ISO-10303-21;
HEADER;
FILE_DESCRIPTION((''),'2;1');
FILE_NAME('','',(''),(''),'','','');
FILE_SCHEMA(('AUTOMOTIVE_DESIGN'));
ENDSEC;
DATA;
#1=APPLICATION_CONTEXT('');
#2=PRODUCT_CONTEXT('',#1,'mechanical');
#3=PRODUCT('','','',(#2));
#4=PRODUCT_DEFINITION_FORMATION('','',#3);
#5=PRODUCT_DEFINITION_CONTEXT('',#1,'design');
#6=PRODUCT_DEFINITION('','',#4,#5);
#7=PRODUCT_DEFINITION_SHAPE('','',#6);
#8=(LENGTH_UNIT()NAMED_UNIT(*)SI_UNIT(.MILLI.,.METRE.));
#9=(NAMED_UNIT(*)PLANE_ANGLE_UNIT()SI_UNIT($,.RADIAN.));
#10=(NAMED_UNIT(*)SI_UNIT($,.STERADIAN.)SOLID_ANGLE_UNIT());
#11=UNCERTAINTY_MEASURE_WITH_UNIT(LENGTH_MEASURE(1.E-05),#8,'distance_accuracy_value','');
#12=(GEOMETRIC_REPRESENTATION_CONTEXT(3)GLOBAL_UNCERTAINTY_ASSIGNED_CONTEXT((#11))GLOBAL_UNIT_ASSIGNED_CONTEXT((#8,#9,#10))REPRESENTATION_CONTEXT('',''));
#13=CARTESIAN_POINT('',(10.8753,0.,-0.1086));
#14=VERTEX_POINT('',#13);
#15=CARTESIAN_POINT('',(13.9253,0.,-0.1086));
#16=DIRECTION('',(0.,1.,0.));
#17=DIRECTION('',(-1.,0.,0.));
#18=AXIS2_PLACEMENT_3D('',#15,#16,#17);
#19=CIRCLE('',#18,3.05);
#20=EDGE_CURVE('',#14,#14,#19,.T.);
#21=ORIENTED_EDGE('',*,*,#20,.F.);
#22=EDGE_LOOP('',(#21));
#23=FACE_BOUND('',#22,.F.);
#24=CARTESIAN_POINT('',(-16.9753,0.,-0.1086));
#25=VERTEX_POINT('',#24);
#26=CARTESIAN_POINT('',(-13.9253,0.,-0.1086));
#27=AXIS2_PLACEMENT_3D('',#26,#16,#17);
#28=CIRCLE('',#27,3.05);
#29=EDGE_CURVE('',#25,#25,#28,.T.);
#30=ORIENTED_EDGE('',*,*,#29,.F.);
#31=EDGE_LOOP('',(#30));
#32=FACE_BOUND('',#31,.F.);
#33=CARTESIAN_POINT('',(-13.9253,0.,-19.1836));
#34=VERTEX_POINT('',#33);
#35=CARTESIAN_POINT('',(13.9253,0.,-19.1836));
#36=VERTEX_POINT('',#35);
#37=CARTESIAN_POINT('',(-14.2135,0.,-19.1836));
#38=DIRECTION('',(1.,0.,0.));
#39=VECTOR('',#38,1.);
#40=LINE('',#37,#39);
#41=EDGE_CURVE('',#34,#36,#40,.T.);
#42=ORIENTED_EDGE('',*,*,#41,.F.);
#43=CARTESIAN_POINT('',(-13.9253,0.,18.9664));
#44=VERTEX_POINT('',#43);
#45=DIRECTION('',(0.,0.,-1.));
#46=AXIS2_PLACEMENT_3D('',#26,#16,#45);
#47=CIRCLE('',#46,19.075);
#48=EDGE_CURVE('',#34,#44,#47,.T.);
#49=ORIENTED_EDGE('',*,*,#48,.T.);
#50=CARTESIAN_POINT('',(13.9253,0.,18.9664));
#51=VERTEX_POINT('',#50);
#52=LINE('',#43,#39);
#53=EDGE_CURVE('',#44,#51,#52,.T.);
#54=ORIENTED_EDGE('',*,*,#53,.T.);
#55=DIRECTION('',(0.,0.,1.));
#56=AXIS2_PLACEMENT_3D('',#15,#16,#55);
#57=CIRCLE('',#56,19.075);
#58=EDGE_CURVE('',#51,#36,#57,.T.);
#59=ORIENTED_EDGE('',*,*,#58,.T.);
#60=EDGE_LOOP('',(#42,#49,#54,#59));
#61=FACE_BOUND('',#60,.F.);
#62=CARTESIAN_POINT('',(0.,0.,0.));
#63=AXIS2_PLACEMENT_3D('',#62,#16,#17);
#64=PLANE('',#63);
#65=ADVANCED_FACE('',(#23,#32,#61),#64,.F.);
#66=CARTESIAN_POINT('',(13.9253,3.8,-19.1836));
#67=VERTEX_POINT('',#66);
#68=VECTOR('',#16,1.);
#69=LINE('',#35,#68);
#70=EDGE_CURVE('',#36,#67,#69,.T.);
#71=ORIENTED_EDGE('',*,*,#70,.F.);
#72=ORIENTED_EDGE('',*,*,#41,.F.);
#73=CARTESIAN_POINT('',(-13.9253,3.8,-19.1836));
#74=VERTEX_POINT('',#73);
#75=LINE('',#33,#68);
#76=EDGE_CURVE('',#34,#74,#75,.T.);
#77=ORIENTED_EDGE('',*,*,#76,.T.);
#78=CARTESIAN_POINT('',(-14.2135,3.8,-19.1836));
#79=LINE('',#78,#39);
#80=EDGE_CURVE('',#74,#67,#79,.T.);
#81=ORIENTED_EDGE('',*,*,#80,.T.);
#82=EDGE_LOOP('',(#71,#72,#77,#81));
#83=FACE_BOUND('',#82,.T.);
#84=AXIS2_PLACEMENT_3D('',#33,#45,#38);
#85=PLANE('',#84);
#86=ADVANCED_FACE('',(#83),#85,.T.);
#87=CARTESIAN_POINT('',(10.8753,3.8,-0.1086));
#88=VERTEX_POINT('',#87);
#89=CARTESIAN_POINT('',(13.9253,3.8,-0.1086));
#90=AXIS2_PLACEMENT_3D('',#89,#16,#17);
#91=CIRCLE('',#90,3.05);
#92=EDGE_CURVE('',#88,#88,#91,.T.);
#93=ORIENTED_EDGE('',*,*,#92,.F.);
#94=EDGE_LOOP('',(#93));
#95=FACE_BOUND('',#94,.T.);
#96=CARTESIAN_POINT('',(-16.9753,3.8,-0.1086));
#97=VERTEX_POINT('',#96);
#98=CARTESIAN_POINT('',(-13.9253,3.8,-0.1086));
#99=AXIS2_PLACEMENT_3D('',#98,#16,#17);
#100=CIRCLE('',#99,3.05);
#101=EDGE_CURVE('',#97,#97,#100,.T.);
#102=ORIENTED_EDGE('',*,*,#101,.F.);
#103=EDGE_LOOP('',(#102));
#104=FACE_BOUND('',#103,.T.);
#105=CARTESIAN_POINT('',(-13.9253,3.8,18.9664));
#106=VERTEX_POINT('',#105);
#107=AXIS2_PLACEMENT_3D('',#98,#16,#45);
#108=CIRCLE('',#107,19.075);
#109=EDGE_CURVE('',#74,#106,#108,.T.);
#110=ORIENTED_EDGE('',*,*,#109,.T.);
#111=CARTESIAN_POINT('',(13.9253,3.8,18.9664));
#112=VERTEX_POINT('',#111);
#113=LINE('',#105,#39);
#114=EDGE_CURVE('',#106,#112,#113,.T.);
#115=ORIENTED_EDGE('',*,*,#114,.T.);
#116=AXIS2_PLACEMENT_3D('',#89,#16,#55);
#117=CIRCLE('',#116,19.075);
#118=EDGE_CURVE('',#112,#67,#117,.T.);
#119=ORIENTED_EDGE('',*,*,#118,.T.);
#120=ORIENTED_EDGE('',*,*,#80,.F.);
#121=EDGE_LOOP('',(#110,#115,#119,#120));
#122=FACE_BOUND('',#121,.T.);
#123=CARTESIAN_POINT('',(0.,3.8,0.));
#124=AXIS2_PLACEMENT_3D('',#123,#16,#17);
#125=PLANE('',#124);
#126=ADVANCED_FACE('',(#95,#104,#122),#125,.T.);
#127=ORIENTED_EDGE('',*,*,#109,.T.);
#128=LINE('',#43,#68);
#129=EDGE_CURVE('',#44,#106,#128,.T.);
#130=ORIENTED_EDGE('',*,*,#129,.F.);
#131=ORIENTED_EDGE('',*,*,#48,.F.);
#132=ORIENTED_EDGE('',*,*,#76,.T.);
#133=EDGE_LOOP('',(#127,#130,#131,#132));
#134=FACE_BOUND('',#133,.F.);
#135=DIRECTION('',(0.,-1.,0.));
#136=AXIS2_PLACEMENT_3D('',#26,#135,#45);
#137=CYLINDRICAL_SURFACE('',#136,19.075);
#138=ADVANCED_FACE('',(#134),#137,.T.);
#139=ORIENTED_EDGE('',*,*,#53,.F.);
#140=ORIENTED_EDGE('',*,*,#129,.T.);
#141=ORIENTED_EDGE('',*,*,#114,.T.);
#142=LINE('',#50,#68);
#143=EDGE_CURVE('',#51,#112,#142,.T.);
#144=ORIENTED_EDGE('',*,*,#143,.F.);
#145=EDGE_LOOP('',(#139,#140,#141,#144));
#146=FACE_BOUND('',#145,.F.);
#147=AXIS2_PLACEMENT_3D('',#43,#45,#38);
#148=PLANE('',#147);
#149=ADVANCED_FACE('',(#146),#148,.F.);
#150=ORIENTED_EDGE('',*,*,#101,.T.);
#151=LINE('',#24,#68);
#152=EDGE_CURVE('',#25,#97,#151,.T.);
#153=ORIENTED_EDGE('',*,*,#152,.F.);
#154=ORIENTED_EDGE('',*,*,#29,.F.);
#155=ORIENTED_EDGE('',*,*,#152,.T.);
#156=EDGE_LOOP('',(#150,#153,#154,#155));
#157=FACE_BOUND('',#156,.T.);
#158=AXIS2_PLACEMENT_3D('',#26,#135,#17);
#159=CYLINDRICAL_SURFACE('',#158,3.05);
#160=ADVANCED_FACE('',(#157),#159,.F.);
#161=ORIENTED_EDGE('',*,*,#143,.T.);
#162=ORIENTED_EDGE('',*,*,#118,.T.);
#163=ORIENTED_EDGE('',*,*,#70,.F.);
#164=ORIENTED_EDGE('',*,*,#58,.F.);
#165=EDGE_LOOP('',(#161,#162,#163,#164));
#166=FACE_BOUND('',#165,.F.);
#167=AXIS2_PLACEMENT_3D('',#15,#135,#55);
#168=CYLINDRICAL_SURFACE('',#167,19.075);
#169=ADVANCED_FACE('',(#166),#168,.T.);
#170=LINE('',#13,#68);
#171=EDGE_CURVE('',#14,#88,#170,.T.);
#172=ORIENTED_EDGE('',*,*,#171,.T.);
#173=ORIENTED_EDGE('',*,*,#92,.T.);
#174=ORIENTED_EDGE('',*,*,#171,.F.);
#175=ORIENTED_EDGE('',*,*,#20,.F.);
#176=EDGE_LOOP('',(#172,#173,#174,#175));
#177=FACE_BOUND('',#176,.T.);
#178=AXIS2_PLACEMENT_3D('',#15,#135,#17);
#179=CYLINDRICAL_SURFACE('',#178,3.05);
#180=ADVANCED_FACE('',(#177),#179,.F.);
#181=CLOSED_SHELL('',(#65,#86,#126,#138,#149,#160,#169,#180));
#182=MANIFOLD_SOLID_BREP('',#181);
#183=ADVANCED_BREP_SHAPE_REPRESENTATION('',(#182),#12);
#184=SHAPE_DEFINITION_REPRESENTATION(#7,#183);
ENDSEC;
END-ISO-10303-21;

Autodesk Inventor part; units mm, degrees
ref_plane "YZ Plane" through (0, 0, 0) normal (1, 0, 0) x (0, 1, 0)
ref_plane "XZ Plane" through (0, 0, 0) normal (0, 1, 0) x (-1, 0, 0)
ref_plane "XY Plane" through (0, 0, 0) normal (0, 0, 1) x (1, 0, 0)
sketch "Sketch1" plane through (0, 0, 0) normal (0, 1, 0) x (-1, 0, 0)
  arc A0 (13.9253, -19.1836) -> (13.9253, 18.9664) centre (13.9253, -0.1086) ccw
  arc A1 (-13.9253, 18.9664) -> (-13.9253, -19.1836) centre (-13.9253, -0.1086) ccw
  line L0 (33, 0) -> (-33, 0) construction
  line L1 (13.9253, 18.9664) -> (-13.9253, 18.9664)
  line L2 (14.2135, -19.1836) -> (-13.9253, -19.1836)
  line L3 (-13.9253, -0.1086) -> (-13.9253, 18.9664) construction
  line L4 (-13.9253, -0.1086) -> (-13.9253, -19.1836) construction
  line L5 (13.9253, 18.9664) -> (13.9253, -19.1836) construction
  circle A2 centre (13.9253, -0.1086) radius 3.05
  circle A3 centre (-13.9253, -0.1086) radius 3.05
  point P0 (0, 0)
  point P1 (0, 0)
  dimension "d0" = 38.15
  dimension "d1" = 66
  dimension "d4" = 27.8506
  dimension "d7" = 6.1
extrude "Extrusion1" add sketch "Sketch1" along normal blind 3.8
properties part number "hinge" material "Steel, Carbon"
